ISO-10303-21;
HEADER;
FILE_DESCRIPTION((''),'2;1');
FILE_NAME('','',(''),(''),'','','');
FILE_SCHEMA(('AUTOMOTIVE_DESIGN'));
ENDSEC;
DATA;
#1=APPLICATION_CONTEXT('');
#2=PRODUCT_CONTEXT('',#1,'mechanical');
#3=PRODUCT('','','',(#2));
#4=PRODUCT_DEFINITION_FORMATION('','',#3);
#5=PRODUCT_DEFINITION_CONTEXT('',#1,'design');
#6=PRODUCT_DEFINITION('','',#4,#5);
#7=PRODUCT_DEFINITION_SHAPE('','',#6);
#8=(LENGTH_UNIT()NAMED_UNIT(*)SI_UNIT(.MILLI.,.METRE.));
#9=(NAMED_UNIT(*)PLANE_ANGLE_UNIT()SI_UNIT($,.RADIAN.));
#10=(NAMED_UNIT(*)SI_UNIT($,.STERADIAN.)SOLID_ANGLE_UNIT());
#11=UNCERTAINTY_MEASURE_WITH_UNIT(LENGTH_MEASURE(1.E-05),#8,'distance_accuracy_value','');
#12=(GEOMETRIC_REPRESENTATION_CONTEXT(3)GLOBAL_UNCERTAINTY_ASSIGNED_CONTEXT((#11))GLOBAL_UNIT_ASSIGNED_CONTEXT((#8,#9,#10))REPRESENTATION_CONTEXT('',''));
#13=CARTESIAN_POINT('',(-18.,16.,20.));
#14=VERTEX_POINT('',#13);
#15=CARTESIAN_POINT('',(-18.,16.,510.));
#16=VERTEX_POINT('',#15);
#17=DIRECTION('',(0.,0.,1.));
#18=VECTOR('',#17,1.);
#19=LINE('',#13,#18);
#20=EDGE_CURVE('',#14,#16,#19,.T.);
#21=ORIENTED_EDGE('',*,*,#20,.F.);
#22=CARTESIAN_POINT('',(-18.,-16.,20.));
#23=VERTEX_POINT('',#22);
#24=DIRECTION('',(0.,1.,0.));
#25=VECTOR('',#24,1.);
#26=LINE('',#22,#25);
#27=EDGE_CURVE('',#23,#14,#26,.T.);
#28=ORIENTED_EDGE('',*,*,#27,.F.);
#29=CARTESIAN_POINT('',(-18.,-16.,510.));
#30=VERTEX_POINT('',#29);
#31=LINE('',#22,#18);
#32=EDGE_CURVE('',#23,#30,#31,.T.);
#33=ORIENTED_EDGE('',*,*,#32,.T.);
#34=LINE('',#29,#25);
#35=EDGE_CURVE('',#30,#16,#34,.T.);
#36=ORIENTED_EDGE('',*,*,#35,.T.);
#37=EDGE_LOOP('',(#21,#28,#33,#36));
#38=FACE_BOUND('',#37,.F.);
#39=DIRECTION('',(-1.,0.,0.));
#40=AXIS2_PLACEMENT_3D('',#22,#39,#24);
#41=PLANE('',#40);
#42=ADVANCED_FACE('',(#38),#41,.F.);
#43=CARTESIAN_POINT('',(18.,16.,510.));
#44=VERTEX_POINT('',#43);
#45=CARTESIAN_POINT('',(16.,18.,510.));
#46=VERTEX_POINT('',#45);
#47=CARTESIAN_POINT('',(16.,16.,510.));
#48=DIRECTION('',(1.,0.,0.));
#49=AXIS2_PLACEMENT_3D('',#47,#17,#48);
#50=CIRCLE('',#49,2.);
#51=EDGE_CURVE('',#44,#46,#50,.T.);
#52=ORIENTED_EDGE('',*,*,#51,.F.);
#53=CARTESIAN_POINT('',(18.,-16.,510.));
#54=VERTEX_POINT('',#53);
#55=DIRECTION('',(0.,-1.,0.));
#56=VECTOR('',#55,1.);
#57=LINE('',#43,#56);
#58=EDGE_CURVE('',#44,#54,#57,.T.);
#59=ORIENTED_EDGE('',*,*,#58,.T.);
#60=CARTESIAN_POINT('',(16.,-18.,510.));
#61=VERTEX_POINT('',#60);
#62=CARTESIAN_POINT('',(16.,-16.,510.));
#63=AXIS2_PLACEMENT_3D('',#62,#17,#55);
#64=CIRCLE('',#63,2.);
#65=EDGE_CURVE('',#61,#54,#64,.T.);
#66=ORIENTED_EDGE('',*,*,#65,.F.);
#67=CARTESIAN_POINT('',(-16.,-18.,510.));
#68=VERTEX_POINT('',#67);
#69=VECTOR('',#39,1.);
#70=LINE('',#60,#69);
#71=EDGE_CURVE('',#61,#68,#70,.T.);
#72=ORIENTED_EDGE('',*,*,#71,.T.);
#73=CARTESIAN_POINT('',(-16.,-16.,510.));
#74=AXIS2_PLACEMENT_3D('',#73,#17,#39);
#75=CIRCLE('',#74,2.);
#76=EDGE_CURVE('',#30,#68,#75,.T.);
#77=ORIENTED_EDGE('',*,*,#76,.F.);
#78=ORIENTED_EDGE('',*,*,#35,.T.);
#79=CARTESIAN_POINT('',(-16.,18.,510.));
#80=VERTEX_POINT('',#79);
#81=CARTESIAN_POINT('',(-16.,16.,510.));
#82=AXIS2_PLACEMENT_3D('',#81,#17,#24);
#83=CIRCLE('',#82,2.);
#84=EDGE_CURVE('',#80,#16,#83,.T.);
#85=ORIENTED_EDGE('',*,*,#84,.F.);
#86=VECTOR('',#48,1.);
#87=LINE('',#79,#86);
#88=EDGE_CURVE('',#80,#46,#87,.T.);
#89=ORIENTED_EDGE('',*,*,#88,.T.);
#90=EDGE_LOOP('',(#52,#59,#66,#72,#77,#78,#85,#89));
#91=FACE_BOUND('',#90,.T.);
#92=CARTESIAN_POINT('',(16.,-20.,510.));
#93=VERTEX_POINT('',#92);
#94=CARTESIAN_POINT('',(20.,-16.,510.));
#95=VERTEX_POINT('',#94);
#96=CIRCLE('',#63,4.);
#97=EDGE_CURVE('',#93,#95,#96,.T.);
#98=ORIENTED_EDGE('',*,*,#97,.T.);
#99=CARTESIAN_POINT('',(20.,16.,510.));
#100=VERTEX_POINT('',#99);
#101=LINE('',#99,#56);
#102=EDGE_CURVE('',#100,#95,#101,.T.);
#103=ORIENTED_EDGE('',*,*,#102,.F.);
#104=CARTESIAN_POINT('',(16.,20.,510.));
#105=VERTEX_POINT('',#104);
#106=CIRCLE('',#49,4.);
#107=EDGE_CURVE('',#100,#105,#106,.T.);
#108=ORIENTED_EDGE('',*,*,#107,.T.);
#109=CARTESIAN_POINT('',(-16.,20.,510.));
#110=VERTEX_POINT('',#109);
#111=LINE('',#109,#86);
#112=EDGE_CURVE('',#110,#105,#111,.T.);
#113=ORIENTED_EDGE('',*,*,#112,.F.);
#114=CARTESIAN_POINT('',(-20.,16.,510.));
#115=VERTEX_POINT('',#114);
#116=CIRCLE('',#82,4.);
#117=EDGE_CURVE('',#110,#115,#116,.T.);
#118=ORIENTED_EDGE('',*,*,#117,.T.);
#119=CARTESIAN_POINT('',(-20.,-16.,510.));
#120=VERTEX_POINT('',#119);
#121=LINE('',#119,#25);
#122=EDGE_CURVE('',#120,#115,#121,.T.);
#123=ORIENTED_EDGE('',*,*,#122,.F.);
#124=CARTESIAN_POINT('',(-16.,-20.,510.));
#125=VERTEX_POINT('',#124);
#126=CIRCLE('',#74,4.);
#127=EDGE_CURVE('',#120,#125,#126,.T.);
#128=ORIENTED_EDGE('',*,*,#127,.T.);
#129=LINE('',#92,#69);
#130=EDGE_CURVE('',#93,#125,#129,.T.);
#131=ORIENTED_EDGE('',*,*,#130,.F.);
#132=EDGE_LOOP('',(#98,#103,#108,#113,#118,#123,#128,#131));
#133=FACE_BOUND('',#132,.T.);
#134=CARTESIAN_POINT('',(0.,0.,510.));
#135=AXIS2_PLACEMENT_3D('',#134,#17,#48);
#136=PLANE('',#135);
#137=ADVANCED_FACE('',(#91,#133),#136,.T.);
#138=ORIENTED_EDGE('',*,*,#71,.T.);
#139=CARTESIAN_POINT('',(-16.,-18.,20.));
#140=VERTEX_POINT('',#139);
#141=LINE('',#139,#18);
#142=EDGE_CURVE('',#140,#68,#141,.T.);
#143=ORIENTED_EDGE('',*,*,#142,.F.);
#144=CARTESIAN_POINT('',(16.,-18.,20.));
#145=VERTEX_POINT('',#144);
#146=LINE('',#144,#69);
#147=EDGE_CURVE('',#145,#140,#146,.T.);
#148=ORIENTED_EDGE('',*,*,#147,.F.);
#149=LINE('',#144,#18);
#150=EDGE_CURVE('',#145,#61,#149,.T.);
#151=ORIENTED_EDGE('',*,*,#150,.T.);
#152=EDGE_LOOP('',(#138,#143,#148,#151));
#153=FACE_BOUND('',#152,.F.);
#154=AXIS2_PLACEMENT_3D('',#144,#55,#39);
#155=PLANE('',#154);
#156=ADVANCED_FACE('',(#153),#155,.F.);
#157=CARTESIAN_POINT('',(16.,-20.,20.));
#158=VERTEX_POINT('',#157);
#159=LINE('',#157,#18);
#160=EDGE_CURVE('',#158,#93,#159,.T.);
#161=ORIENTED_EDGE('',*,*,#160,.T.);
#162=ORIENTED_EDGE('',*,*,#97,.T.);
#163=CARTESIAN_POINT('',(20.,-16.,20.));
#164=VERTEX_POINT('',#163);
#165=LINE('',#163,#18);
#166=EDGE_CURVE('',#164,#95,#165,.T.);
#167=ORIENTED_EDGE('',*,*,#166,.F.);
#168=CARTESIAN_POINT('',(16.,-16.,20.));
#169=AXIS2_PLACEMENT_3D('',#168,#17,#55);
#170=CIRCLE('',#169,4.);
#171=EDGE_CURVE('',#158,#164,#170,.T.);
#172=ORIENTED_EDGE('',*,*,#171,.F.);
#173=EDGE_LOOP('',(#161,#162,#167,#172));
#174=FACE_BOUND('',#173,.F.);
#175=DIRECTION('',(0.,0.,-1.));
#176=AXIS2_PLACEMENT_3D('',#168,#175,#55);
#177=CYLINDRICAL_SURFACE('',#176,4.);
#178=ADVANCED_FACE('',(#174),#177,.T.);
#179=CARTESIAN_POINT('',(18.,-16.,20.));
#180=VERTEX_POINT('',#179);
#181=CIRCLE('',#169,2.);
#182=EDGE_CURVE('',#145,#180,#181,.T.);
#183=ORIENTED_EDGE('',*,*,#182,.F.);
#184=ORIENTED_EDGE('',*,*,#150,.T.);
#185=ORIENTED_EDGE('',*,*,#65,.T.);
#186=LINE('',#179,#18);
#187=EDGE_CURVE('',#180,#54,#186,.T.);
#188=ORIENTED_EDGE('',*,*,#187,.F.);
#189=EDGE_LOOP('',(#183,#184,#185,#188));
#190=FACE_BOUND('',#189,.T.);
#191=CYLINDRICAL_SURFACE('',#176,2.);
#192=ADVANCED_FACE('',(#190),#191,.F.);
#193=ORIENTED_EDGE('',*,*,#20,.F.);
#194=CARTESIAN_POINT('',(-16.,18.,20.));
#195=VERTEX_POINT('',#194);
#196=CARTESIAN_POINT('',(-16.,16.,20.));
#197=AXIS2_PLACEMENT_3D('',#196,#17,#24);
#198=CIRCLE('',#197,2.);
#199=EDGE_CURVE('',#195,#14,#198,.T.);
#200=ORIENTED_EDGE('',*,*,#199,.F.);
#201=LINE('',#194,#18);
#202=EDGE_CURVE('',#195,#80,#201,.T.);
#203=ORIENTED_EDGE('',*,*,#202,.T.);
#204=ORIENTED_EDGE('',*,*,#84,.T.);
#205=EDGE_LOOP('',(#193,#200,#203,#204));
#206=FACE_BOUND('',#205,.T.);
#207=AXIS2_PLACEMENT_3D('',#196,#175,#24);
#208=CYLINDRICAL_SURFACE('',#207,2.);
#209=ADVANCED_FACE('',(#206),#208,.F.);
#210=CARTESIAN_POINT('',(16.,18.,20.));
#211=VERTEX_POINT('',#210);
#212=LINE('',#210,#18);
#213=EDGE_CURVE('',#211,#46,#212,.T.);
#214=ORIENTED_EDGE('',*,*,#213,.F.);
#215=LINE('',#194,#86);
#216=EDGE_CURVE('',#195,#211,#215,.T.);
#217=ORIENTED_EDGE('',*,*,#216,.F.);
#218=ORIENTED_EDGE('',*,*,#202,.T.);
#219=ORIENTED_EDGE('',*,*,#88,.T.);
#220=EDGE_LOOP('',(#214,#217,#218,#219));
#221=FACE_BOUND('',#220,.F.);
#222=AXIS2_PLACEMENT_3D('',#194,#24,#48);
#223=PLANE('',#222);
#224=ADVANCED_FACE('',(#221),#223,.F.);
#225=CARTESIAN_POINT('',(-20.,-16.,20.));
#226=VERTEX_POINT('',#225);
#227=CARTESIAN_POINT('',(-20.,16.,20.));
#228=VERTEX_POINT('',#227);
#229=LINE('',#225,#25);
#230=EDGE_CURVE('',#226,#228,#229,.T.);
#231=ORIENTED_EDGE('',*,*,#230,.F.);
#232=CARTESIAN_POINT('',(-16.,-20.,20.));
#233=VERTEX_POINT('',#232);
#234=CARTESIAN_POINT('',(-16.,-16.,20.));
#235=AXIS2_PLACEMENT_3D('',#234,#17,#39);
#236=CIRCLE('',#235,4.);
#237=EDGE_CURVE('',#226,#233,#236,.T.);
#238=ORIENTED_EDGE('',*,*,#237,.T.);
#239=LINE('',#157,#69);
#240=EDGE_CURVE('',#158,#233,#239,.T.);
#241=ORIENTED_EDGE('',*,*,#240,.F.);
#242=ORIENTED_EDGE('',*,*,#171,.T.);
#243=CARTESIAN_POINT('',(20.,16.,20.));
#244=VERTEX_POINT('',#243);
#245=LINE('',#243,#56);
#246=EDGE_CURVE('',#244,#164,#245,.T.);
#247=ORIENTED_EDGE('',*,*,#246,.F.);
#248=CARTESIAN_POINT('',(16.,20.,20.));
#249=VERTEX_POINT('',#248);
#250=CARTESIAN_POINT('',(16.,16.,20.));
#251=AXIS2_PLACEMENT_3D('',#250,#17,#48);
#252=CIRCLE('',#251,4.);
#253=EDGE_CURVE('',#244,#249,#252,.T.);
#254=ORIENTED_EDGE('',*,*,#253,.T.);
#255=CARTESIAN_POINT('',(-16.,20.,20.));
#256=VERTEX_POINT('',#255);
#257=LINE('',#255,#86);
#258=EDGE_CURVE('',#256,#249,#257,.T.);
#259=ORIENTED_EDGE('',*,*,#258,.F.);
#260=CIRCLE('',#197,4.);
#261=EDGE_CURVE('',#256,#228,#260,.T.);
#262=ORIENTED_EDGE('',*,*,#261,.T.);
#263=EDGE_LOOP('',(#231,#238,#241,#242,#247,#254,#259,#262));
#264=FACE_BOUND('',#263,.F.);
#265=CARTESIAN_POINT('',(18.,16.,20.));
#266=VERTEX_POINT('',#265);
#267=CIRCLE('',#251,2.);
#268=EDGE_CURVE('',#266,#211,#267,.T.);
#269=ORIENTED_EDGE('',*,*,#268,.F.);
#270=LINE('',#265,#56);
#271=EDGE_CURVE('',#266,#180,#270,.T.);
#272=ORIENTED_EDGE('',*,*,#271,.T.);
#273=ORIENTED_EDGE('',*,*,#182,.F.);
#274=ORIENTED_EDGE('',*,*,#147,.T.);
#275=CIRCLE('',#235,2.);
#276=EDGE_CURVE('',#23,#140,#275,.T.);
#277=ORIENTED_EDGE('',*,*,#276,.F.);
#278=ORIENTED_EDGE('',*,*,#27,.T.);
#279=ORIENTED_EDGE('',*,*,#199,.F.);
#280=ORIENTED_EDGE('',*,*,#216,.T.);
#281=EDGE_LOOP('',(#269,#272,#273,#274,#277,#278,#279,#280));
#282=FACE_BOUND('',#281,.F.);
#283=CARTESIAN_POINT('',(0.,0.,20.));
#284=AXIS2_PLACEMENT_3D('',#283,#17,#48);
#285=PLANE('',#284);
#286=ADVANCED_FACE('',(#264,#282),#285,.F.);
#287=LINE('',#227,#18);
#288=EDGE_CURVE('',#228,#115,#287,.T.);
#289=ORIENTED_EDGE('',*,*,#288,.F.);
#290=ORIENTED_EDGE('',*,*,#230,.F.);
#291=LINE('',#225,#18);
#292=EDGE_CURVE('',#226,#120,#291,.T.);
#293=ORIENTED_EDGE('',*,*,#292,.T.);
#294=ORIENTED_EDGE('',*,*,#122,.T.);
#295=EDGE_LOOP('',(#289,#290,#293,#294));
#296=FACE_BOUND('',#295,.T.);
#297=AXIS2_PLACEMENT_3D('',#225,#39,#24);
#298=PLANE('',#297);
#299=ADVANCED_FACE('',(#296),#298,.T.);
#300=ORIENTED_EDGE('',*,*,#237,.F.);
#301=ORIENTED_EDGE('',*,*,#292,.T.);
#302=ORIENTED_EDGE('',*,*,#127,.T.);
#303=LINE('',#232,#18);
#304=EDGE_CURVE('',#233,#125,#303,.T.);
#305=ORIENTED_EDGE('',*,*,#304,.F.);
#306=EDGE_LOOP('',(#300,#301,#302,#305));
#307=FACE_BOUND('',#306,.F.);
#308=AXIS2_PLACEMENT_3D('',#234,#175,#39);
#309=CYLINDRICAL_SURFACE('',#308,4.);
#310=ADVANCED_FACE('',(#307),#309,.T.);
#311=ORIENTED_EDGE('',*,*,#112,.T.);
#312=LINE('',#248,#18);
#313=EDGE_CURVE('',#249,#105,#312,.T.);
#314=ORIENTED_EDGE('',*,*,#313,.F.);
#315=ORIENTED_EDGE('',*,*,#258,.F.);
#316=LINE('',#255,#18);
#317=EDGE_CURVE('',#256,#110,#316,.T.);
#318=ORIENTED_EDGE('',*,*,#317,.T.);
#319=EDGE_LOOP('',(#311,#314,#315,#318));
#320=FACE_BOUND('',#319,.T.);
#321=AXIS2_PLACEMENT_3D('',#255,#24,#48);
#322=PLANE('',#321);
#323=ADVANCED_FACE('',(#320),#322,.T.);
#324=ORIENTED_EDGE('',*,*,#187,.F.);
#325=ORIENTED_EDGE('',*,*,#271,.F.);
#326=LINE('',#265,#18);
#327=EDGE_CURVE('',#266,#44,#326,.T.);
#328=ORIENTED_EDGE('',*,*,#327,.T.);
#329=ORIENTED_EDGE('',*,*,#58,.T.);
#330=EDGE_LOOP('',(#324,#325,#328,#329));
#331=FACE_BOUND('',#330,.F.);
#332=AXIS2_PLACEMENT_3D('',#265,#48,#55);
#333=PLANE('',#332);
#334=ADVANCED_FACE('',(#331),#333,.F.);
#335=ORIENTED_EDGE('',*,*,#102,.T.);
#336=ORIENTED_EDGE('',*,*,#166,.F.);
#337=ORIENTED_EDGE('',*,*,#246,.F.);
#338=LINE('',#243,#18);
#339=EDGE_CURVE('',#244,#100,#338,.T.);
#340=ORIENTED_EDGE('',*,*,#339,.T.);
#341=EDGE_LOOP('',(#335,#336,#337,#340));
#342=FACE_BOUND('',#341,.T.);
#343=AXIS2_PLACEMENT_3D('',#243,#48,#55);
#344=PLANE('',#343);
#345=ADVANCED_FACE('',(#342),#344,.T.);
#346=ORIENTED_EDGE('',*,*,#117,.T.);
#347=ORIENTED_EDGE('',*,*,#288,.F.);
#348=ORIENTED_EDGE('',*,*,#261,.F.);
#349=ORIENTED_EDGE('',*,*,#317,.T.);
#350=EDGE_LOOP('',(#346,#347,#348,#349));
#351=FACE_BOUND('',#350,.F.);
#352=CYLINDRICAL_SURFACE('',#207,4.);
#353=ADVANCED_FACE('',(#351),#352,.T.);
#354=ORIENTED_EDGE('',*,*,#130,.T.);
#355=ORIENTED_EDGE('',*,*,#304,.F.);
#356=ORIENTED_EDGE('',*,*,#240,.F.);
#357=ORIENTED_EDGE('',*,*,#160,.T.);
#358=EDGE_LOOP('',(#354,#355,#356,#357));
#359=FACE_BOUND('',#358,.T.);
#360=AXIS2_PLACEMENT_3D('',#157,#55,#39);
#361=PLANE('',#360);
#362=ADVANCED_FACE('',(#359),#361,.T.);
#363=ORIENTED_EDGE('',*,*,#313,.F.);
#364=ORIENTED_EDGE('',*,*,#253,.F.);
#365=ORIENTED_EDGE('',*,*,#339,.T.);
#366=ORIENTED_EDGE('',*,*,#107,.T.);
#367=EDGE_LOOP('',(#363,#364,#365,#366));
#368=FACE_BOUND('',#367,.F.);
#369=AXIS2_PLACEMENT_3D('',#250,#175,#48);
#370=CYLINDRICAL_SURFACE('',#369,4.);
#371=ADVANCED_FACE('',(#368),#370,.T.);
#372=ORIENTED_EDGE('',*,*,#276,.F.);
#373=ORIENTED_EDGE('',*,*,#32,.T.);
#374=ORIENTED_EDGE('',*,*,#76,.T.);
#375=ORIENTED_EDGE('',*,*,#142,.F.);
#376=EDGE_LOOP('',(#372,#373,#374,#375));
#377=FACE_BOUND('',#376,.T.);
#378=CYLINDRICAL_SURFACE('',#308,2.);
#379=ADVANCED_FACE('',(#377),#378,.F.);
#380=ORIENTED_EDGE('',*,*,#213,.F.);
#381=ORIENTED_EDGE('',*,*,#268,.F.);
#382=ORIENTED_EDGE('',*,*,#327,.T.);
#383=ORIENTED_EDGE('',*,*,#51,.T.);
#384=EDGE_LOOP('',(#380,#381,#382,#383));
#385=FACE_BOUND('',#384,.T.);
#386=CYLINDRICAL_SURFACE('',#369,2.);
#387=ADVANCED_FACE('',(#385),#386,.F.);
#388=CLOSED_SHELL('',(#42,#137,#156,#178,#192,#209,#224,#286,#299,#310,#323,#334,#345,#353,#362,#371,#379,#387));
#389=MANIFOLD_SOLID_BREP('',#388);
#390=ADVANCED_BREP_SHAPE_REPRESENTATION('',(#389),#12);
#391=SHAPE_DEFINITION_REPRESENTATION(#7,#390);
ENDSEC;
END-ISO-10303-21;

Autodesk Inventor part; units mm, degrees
ref_plane "YZ Plane" through (0, 0, 0) normal (1, 0, 0) x (0, 1, 0)
ref_plane "Start Plane" through (0, 0, 20) normal (0, 0, 1) x (1, 0, 0)
ref_plane "End Plane" through (0, 0, 510) normal (0, 0, 1) x (1, 0, 0)
sketch "Sketch" plane through (0, 0, 0) normal (0, 0, 1) x (1, 0, 0)
  line L0 (-20, -16) -> (-20, 16)
  line L1 (-16, 20) -> (16, 20)
  line L2 (20, 16) -> (20, -16)
  line L3 (16, -20) -> (-16, -20)
  arc A0 (-20, -16) -> (-16, -20) centre (-16, -16) ccw
  arc A1 (20, 16) -> (16, 20) centre (16, 16) ccw
  arc A2 (-16, 20) -> (-20, 16) centre (-16, 16) ccw
  arc A3 (16, -20) -> (20, -16) centre (16, -16) ccw
  arc A4 (-16, 18) -> (-18, 16) centre (-16, 16) ccw
  line L4 (-16, 18) -> (16, 18)
  arc A5 (18, 16) -> (16, 18) centre (16, 16) ccw
  line L5 (18, 16) -> (18, -16)
  arc A6 (16, -18) -> (18, -16) centre (16, -16) ccw
  line L6 (16, -18) -> (-16, -18)
  arc A7 (-18, -16) -> (-16, -18) centre (-16, -16) ccw
  line L7 (-18, -16) -> (-18, 16)
  line L8 (0, 29.1598) -> (0, -29.1598) construction
  line L9 (-29.1598, 0) -> (29.1598, 0) construction
  dimension "d7" = 4
  dimension "d9" = 40
  dimension "d11" = 40
  dimension "d12" = 2
  dimension "d15" = 20
  dimension "d16" = 20
extrude "Body" add sketch "Sketch" along normal up to surface (490 mm away) from surface at 20
sketch "Sketch3" plane through (0, 0, 0) normal (0, 0, 1) x (1, 0, 0)
  line L0 (0, 0) -> (10, 0)
ref_plane "Work Plane3" through (0, 0, 0) normal (0, -1, 0) x (1, 0, 0)
sketch "Sketch4" plane through (0, 0, 0) normal (0, -1, 0) x (1, 0, 0)
  line L0 (-2, 20) -> (12, 20) projected
  line L1 (-2, 510) -> (12, 510) projected
  dimension "d18" = 490
equation "\"d7\" = G_IR"
equation "\"d9\" = G_W"
equation "\"d11\" = G_H"
equation "\"d12\" = G_T"
equation "\"d15\" = 0.5 * d9"
equation "\"d16\" = 0.5 * d11"
equation "\"d3\" = G_L"
equation "\"G_W\" = 40"
equation "\"G_H\" = 40"
equation "\"G_T\" = 2"
equation "\"G_IR\" = 4"
equation "\"G_L\" = d18"
properties part number "ISO 10799-2 - 40x40x2 - 490" material "Steel, Mild"
